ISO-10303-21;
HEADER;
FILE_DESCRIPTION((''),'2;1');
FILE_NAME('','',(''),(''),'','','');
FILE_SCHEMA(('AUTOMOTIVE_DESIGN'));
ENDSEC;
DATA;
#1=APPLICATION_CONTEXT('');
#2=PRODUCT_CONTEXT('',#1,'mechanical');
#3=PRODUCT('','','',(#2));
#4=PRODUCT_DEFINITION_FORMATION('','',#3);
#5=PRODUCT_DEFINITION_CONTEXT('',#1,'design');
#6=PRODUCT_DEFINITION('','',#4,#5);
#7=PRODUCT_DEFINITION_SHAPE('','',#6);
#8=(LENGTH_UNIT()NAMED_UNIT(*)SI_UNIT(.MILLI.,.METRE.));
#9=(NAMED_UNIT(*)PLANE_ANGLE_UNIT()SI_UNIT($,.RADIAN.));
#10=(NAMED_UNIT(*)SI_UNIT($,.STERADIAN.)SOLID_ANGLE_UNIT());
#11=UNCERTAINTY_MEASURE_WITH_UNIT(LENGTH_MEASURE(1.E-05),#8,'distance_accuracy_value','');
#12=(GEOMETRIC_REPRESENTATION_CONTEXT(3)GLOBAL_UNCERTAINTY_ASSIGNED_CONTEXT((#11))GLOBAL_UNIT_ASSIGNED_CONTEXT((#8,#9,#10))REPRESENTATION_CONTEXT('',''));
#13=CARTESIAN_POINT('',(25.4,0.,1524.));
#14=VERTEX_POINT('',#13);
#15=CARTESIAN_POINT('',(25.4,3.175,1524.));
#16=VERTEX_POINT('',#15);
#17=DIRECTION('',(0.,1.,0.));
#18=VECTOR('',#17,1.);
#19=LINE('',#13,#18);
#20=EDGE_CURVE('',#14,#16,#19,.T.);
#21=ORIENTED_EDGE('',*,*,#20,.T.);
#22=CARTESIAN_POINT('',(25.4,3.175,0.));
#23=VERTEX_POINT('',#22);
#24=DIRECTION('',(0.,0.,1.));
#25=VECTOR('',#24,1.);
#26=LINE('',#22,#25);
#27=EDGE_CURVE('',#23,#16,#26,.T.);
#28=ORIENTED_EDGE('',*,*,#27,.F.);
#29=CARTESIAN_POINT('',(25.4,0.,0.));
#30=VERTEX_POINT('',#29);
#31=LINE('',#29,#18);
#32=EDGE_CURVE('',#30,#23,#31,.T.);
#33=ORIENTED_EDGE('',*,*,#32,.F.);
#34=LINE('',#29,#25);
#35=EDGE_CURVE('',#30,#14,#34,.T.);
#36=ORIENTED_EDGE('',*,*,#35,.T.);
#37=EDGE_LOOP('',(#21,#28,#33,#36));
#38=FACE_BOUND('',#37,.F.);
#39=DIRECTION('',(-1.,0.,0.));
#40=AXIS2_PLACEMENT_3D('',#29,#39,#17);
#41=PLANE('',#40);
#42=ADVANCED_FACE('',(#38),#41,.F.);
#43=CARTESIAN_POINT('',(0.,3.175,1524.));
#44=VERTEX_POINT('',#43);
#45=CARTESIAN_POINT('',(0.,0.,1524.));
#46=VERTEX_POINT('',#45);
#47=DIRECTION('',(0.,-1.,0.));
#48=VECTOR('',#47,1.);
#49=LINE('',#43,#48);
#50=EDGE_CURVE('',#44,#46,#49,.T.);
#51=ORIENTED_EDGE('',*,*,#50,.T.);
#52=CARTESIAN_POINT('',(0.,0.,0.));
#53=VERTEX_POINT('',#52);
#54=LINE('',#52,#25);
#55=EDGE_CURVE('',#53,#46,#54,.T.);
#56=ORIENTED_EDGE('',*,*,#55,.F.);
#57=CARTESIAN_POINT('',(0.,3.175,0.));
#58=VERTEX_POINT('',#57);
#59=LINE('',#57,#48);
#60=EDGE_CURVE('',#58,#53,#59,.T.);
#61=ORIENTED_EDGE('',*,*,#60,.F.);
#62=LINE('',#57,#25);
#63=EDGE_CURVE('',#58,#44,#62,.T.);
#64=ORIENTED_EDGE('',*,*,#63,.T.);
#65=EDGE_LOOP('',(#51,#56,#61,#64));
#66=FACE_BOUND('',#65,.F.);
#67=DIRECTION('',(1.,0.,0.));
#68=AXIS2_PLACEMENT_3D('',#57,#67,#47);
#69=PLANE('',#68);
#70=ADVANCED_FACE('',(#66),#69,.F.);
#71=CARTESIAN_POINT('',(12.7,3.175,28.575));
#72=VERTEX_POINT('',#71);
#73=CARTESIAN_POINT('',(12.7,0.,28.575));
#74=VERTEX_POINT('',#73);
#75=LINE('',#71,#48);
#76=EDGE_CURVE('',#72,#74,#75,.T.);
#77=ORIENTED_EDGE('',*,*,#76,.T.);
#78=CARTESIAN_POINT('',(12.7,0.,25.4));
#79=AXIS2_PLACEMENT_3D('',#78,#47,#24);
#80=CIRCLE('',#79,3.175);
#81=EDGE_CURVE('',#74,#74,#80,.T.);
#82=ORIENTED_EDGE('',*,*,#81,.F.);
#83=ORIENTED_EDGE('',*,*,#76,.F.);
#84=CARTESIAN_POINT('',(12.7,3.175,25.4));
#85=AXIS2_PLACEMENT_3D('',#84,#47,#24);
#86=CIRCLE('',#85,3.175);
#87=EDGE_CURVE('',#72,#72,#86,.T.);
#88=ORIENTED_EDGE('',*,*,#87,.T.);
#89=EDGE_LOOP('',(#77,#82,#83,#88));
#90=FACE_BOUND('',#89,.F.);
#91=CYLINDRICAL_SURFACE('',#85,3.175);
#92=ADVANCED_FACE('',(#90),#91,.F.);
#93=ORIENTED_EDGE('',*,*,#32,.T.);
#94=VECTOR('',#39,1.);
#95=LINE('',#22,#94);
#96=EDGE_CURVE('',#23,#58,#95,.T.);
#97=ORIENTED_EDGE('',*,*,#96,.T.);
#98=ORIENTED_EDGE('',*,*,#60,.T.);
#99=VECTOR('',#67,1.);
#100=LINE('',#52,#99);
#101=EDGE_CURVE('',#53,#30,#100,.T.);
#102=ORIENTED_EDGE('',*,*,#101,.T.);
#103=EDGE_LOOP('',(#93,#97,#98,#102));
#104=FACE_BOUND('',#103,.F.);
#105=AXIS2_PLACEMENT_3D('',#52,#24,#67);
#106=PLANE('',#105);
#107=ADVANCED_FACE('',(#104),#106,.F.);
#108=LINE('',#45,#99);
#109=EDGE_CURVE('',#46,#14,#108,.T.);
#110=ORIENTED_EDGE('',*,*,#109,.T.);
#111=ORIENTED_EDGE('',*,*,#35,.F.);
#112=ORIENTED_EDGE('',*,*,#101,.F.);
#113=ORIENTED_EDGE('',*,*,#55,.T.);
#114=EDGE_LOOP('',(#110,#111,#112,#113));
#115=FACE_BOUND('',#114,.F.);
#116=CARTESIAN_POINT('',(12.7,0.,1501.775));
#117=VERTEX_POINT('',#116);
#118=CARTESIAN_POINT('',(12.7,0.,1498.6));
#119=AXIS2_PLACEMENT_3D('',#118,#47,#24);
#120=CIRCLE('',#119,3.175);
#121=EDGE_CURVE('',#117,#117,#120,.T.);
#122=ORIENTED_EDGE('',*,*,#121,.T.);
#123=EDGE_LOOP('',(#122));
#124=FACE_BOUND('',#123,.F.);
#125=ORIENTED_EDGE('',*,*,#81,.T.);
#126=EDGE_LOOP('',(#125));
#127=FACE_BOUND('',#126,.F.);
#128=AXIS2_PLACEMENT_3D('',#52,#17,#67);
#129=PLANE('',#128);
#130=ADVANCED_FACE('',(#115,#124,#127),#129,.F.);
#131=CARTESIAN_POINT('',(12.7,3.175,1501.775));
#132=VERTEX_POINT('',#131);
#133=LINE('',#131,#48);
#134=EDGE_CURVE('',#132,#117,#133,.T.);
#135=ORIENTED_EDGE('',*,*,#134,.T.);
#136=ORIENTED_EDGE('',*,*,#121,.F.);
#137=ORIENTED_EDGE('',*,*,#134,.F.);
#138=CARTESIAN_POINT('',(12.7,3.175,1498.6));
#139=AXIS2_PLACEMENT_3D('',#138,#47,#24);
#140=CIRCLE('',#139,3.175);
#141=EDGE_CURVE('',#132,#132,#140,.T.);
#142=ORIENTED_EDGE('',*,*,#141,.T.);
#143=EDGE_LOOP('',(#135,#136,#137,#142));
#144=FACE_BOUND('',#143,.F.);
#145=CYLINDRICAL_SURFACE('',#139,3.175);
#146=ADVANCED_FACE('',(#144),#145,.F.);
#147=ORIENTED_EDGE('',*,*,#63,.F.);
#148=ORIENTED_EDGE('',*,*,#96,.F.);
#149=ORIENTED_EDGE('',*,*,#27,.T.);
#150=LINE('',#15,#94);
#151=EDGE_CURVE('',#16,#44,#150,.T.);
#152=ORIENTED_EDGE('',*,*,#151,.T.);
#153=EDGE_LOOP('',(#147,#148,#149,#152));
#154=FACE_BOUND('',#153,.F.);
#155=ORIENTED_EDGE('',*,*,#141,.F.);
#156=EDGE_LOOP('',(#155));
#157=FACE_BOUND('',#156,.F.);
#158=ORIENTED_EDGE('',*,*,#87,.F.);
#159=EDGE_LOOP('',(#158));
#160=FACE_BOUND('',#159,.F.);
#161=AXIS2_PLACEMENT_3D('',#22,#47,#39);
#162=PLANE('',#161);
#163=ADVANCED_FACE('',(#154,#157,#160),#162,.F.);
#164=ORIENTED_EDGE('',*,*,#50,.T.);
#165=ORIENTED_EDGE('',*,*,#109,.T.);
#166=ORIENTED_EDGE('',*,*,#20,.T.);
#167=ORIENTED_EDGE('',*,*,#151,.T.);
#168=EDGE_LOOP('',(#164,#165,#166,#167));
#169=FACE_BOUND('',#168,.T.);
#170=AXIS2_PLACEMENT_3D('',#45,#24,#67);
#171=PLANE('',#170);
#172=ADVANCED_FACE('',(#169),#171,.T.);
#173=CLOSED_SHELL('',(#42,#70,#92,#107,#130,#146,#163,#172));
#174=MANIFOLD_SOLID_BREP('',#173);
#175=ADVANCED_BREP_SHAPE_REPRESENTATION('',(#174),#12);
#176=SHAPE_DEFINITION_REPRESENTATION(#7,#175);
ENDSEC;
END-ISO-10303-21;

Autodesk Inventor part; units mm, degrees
ref_plane "YZ Plane" through (0, 0, 0) normal (1, 0, 0) x (0, 1, 0)
ref_plane "XZ Plane" through (0, 0, 0) normal (0, 1, 0) x (-1, 0, 0)
ref_plane "XY Plane" through (0, 0, 0) normal (0, 0, 1) x (1, 0, 0)
sketch "Sketch1" plane through (0, 0, 0) normal (0, 0, 1) x (1, 0, 0)
  line L0 (0, 0) -> (25.4, 0)
  line L1 (25.4, 0) -> (25.4, 3.175)
  line L2 (25.4, 3.175) -> (0, 3.175)
  line L3 (0, 3.175) -> (0, 0)
  dimension "d0" = 25.4
  dimension "d1" = 3.175
extrude "Extrusion1" add sketch "Sketch1" along normal blind 1524
sketch "Sketch2" plane through (0, 3.175, 1524) normal (0, 1, 0) x (1, 0, 0)
  line L0 (25.4, 1524) -> (0, 1524) projected
  line L1 (0, 1524) -> (0, 0) projected
  line L2 (25.4, 0) -> (0, 0) projected
  line L3 (25.4, 1524) -> (25.4, 0) projected
  point P0 (12.7, 1498.6)
  point P1 (12.7, 25.4)
  dimension "d4" = 12.7
  dimension "d5" = 25.4
  dimension "d6" = 12.7
  dimension "d7" = 25.4
hole "Hole1" at (12.7, 3.175, 25.4) at (12.7, 3.175, 1498.6) direction (0, -1, 0) diameter 6.35 end through all
properties part number "rail aligner"
